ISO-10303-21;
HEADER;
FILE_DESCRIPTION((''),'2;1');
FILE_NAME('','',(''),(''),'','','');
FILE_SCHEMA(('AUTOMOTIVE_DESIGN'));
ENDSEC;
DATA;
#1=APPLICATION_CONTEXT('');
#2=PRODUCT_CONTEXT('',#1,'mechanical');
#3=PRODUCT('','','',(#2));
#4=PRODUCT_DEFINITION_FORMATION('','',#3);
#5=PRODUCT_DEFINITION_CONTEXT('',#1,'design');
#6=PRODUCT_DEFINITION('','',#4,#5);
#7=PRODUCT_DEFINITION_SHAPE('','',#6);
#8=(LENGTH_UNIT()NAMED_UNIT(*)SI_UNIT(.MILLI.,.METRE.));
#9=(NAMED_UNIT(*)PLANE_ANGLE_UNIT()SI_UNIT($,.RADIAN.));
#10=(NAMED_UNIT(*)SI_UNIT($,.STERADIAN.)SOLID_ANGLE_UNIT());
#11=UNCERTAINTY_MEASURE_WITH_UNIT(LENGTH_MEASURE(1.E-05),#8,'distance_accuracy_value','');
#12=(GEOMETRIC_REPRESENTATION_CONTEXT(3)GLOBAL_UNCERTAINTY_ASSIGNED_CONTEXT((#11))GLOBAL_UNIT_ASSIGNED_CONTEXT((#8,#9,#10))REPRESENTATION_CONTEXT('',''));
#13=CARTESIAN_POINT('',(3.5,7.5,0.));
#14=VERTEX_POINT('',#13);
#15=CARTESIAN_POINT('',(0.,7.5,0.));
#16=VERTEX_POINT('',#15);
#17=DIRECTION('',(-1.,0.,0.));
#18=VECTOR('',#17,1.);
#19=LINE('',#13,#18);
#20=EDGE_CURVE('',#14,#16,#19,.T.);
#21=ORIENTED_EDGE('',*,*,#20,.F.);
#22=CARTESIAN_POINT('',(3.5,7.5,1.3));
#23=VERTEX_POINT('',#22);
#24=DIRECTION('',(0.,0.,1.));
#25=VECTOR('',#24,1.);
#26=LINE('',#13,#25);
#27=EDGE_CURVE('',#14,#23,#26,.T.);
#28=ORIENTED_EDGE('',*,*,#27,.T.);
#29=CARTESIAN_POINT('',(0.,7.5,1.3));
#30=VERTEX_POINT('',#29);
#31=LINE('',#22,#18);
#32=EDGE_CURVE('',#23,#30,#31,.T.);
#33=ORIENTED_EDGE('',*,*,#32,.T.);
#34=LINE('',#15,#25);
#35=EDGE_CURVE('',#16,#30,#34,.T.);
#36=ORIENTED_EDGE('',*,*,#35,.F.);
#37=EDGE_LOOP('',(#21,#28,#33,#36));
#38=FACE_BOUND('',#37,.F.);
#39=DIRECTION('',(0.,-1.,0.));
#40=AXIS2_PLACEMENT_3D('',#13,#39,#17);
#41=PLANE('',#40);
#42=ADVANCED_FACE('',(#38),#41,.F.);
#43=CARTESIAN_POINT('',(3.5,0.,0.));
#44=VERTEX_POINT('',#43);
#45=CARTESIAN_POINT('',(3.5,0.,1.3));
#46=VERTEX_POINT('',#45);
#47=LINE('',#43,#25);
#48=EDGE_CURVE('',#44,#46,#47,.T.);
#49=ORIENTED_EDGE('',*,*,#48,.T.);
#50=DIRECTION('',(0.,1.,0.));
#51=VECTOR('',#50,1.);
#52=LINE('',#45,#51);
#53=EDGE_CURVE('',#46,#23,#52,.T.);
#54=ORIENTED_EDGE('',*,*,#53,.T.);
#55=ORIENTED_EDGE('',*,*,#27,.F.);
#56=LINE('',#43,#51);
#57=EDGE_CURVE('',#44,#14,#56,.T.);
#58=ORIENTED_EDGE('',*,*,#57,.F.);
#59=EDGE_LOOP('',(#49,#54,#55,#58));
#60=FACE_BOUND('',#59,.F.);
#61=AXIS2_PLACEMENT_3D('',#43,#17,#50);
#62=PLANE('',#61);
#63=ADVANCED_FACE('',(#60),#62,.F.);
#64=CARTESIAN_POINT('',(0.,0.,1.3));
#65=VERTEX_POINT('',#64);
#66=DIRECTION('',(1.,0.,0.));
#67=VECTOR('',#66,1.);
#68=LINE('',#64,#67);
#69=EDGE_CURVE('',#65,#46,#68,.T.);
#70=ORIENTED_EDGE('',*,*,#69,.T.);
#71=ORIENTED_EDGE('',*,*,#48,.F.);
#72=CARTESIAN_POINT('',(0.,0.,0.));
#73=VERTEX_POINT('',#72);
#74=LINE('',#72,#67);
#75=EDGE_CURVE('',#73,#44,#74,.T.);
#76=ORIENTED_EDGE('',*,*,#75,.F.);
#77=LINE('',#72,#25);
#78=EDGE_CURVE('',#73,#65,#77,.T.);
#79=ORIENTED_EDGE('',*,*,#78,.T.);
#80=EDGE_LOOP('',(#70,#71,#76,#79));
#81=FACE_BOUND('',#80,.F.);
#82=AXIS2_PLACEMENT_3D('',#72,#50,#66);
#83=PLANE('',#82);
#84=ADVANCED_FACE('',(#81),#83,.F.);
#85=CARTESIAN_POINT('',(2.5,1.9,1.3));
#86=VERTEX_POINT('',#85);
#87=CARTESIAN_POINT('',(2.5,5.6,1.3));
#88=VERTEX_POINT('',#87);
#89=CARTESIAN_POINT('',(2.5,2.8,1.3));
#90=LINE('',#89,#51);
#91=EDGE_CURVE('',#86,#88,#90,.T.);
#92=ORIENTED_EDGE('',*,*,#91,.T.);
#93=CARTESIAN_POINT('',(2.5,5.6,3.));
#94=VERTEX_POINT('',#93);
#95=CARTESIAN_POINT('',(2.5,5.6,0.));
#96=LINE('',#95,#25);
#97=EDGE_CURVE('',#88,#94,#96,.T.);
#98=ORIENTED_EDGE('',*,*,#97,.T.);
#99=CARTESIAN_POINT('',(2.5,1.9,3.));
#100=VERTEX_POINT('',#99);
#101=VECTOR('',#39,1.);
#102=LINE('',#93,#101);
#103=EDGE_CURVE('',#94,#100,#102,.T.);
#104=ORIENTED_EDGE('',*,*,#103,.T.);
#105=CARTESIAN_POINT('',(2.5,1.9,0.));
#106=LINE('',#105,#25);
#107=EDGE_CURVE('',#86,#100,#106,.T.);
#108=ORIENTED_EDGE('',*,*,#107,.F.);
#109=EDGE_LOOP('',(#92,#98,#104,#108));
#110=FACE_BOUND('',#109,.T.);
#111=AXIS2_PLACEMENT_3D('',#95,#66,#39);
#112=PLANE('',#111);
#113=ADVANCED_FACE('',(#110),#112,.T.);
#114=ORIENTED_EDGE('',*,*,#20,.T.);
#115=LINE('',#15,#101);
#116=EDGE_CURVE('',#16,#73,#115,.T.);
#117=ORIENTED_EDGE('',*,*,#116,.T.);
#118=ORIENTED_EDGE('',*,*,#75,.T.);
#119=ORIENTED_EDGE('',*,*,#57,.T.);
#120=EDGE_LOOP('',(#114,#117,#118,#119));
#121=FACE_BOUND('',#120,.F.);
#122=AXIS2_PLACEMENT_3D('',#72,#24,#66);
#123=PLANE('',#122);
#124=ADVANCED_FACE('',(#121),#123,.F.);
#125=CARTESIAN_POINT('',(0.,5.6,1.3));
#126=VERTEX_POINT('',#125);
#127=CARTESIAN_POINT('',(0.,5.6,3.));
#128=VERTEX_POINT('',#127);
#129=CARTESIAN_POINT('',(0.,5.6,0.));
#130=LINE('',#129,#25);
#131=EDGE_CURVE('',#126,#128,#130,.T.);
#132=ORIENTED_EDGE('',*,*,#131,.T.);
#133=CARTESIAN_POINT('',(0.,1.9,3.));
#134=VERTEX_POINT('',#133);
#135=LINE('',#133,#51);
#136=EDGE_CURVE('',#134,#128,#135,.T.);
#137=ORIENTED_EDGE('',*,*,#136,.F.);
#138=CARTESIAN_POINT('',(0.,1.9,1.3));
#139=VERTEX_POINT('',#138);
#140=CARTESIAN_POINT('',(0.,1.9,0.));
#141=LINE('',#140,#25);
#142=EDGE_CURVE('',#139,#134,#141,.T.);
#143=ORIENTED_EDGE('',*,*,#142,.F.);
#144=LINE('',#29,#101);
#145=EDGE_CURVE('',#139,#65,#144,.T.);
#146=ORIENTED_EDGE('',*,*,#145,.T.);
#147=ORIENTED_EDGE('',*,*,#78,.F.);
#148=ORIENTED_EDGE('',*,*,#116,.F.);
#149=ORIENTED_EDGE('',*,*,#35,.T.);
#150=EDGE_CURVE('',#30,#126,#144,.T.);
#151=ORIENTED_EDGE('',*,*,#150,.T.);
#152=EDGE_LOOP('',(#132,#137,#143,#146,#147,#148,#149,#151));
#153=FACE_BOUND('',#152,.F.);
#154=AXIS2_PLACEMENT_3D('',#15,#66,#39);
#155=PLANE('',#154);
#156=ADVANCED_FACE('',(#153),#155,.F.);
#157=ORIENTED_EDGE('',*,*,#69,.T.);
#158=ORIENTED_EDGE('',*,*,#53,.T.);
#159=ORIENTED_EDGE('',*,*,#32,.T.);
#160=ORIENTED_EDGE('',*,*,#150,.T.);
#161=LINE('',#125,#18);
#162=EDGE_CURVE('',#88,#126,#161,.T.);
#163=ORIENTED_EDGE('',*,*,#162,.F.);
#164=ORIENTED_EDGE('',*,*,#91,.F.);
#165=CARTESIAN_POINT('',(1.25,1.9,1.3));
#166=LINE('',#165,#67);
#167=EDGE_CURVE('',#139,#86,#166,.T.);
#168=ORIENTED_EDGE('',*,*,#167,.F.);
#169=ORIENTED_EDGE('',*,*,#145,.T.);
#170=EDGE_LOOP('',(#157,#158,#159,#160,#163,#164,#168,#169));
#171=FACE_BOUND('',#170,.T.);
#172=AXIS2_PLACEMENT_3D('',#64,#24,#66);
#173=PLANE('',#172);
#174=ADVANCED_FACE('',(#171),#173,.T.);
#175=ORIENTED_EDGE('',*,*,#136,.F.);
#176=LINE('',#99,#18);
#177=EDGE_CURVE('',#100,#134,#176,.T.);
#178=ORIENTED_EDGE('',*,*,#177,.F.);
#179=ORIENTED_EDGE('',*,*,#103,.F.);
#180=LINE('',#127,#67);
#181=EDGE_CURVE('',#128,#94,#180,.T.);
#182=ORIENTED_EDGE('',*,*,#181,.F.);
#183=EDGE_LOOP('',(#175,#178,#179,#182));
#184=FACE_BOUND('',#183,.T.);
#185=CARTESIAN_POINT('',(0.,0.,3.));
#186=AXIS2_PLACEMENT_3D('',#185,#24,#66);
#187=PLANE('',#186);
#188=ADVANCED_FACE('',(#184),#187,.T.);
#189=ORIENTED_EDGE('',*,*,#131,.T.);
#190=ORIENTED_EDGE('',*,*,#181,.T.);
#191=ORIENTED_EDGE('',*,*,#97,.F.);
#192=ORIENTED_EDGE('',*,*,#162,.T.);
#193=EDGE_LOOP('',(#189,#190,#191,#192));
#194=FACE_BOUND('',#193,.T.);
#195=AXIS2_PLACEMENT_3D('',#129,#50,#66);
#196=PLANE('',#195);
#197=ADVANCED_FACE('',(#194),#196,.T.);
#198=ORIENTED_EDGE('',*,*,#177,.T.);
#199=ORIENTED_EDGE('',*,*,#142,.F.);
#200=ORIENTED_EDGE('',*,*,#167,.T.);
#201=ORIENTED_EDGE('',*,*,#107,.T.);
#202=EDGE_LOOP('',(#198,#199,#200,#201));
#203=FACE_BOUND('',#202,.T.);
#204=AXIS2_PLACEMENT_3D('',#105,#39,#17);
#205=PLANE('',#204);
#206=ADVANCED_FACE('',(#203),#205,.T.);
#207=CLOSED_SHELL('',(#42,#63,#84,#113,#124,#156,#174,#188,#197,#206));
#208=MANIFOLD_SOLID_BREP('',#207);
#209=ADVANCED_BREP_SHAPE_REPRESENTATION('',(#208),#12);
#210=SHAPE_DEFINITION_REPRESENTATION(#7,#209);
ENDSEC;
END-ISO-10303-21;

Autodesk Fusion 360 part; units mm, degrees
sketch "Sketch1" plane through (0, 0, 0) normal (0, 0, 1) x (1, 0, 0)
  line L0 (0, 0) -> (3.5, 0)
  line L1 (3.5, 0) -> (3.5, 7.5)
  line L2 (3.5, 7.5) -> (0, 7.5)
  line L3 (0, 7.5) -> (0, 0)
  dimension "d1" = 7.5
  dimension "d2" = 3.5
extrude "Extrude1" add sketch "Sketch1" along normal blind 1.3
sketch "Sketch2" plane through (0, 0, 0) normal (0, 0, 1) x (1, 0, 0)
  line L0 (0, 5.6) -> (2.5, 5.6)
  line L1 (2.5, 5.6) -> (2.5, 1.9)
  line L2 (2.5, 1.9) -> (0, 1.9)
  line L3 (0, 1.9) -> (0, 5.6)
  dimension "d5" = 2.5
  dimension "d6" = 3.7
  dimension "d7" = 1.9
extrude "Extrude2" add sketch "Sketch2" along normal blind 3
